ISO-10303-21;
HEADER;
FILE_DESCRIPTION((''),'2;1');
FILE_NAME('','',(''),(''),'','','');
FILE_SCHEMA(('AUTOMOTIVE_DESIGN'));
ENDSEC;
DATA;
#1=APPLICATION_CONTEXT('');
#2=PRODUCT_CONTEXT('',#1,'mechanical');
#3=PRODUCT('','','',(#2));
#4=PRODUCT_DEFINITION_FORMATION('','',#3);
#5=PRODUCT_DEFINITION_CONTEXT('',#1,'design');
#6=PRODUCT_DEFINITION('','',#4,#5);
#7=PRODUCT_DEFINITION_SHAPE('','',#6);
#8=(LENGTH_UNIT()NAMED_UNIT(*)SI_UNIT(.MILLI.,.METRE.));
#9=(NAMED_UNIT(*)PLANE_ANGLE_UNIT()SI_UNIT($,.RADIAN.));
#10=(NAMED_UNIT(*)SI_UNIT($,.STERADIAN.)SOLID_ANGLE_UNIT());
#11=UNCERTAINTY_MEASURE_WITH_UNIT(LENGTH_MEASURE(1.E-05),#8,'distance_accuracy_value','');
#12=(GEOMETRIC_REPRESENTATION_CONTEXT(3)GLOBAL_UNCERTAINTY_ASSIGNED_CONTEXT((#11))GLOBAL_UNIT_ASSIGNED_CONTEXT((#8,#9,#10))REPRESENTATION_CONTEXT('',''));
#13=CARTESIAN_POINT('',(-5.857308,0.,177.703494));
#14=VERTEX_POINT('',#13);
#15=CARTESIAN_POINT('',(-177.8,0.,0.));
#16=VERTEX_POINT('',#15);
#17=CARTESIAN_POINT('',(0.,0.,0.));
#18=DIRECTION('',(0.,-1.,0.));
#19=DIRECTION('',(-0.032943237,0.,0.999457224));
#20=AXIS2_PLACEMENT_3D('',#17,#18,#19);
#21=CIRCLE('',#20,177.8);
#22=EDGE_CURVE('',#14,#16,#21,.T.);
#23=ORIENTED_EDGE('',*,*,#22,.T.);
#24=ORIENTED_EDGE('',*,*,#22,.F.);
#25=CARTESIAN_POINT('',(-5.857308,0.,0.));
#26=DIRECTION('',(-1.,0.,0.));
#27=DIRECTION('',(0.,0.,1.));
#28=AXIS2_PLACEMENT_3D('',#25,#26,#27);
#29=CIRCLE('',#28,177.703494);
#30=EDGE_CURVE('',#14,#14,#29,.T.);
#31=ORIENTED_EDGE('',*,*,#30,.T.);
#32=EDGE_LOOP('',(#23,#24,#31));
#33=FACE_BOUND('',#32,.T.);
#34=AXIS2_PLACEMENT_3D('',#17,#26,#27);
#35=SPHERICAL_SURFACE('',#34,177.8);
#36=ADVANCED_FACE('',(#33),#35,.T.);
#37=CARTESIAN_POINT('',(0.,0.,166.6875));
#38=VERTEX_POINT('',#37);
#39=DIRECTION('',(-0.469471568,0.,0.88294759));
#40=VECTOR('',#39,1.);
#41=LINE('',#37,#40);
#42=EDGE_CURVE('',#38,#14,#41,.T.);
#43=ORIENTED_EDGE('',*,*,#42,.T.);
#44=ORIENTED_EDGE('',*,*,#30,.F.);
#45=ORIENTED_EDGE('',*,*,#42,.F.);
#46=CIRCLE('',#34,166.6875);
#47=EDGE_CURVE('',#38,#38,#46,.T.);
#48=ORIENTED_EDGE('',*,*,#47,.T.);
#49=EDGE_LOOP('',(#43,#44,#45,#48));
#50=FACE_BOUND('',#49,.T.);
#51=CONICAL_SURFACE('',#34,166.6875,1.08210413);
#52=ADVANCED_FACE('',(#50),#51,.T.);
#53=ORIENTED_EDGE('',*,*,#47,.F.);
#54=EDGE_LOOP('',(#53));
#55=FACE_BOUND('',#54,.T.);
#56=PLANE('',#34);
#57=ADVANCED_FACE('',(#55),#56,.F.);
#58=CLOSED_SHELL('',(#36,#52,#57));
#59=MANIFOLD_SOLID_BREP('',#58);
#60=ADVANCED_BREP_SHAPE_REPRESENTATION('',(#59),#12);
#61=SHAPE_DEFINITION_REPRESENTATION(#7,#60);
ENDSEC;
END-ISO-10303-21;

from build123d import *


with BuildPart() as f1:
    # F0 (on Front) → F1 (revolve)
    with BuildSketch(Plane.XZ):
        with BuildLine():
            Line((0, 166.6875), (-5.857308, 177.703494))
            ThreePointArc((-5.857308, 177.703494), (-127.777677, 123.635372), (-177.8, 0))
            Line((-177.8, 0), (-166.6875, 0))
            ThreePointArc((-166.6875, 0), (-117.865862, 117.865862), (0, 166.6875))
        make_face()
        with BuildLine():
            Line((0, 0), (0, 166.6875))
            ThreePointArc((0, 166.6875), (-117.865862, 117.865862), (-166.6875, 0))
            Line((-166.6875, 0), (0, 0))
        make_face()
    revolve(axis=Axis((-88.9, 0, 0), (-1, 0, 0)))


solid = f1.part
